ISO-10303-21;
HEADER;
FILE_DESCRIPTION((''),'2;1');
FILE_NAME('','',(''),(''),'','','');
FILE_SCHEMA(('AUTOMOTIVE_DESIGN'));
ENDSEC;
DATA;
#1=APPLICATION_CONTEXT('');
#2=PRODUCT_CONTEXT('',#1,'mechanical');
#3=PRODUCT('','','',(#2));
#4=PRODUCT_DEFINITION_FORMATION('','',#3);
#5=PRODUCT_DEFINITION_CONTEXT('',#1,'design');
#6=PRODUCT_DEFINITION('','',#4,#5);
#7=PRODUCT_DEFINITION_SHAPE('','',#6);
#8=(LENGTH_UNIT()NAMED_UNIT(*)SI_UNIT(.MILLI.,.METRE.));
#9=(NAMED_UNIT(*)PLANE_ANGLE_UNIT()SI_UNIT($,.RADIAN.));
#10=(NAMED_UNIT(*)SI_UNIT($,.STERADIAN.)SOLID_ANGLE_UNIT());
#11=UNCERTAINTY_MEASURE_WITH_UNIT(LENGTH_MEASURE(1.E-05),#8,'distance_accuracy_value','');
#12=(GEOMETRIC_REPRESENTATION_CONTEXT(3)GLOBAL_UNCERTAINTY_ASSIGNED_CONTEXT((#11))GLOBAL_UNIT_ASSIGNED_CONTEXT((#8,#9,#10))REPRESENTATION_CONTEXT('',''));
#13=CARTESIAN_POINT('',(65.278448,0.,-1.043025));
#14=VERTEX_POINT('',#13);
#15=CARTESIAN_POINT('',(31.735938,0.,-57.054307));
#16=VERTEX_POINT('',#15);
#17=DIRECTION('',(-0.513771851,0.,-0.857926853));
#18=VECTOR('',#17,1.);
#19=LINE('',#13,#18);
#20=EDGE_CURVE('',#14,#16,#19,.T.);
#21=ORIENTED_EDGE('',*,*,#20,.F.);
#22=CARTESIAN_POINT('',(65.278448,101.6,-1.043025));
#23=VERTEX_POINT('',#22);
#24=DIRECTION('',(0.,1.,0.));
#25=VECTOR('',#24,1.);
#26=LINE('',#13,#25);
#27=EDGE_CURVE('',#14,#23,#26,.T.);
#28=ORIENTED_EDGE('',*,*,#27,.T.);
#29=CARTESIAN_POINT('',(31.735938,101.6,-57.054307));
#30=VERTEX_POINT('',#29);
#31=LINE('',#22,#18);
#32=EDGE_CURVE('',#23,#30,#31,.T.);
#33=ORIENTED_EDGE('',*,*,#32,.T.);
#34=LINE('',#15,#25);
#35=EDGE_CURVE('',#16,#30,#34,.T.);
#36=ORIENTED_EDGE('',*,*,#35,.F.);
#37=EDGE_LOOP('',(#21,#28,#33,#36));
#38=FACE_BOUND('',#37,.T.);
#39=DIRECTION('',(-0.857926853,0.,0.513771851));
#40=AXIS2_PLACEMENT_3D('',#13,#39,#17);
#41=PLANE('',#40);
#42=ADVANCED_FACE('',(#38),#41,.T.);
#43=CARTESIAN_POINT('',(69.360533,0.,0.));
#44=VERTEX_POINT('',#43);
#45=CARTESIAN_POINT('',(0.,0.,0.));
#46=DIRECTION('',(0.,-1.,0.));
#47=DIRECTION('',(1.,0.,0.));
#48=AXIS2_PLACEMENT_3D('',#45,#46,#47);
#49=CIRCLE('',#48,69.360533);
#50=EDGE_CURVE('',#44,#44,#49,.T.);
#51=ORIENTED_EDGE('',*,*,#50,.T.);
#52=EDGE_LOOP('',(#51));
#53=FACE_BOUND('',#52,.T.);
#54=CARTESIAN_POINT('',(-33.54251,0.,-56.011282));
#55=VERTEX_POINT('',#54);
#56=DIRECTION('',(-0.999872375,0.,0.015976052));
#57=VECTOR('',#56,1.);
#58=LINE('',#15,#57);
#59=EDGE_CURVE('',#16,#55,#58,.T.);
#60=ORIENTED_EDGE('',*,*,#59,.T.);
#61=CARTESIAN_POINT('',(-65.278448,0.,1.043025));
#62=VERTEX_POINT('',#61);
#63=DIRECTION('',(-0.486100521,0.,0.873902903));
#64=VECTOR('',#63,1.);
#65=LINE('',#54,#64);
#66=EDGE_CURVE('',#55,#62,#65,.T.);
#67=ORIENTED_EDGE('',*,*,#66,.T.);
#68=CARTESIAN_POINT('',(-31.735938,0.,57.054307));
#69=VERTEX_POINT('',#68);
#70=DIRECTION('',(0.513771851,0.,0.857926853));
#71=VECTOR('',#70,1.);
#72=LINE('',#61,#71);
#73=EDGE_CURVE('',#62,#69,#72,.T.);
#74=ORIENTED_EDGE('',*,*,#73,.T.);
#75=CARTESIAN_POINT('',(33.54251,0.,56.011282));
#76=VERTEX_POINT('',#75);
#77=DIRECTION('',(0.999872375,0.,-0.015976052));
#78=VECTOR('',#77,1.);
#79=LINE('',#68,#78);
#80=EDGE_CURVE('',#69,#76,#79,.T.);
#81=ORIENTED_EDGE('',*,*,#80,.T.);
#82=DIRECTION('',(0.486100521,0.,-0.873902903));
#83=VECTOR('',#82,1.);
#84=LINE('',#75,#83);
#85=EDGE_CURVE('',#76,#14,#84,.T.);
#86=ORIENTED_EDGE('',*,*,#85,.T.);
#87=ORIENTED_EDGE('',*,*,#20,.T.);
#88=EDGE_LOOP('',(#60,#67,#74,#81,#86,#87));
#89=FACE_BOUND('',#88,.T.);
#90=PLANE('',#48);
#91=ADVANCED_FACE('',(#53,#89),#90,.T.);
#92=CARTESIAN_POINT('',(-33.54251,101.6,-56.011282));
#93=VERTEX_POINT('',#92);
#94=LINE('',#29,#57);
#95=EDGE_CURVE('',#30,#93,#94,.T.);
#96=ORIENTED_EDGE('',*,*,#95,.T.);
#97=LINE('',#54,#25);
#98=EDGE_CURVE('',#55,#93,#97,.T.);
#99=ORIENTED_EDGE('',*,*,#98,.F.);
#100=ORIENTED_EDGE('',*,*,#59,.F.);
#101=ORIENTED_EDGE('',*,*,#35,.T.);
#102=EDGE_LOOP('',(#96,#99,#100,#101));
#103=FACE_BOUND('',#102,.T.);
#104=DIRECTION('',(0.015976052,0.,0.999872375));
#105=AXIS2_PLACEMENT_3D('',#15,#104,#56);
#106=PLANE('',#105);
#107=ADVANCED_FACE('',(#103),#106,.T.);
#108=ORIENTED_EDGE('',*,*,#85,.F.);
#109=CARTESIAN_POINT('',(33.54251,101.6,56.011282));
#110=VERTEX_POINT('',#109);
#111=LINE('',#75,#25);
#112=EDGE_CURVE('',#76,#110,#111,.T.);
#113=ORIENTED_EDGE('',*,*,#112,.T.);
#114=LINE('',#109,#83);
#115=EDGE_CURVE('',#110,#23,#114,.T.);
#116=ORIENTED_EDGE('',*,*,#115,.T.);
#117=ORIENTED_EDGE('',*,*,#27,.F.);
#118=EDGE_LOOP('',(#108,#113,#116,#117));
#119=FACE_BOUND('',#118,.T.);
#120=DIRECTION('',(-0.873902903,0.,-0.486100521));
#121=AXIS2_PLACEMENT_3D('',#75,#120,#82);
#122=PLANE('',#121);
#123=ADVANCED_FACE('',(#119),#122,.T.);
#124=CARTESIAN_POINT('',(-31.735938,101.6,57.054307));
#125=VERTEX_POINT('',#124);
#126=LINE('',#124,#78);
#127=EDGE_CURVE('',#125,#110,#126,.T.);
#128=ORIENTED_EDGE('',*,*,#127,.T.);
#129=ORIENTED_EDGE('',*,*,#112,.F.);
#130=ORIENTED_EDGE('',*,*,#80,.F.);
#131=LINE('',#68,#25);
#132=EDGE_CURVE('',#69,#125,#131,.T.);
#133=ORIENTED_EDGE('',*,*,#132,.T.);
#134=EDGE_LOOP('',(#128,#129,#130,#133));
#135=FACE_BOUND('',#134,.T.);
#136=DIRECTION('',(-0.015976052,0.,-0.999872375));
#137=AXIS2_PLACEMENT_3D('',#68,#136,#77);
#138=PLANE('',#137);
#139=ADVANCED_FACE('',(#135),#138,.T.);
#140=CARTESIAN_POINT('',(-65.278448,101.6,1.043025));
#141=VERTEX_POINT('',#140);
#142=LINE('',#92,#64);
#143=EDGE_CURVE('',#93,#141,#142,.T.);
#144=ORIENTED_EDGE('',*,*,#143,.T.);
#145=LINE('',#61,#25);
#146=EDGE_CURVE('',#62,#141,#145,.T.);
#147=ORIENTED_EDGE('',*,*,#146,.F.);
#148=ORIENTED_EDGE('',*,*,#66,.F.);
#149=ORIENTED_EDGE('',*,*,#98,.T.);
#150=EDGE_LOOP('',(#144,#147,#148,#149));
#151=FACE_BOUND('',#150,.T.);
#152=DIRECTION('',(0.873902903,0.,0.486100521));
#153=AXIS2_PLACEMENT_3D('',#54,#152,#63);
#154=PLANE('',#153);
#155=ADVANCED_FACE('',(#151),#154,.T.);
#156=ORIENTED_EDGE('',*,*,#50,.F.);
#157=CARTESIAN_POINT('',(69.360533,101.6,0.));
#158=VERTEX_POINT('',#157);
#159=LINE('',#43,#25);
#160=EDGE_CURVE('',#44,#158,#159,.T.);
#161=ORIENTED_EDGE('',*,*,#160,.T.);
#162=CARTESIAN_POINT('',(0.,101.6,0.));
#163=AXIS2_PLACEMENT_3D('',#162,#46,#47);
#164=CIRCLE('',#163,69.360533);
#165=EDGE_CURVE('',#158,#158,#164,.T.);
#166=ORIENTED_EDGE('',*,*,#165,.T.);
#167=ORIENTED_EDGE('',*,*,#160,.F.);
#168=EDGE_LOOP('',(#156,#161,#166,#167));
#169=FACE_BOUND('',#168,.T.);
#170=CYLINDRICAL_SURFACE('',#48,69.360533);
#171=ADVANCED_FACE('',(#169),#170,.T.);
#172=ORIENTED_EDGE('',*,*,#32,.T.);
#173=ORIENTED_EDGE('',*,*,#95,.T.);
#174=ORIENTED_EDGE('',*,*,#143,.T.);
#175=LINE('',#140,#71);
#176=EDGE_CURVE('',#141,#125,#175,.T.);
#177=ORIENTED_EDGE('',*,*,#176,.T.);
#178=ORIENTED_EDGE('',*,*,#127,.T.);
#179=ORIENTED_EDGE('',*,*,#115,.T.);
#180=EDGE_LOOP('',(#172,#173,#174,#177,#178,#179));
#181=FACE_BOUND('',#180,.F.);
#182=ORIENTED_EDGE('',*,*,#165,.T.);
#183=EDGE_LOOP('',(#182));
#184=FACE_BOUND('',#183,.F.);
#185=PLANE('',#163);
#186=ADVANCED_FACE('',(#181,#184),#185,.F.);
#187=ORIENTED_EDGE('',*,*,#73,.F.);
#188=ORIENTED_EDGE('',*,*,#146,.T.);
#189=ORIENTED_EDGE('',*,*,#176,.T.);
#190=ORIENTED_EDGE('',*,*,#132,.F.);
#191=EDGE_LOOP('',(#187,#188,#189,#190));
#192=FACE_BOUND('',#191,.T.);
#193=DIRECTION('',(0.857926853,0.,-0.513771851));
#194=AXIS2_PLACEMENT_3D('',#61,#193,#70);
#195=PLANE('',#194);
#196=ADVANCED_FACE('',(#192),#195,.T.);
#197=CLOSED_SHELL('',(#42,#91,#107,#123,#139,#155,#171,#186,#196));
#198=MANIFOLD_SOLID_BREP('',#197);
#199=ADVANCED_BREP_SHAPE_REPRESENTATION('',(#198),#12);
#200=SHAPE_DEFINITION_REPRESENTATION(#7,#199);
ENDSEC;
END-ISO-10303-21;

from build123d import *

# Parameters (mm, degrees)
F0_R     = 69.360533
F1_DEPTH = 101.6


with BuildPart() as f1:
    # F0 (on Front) → F1 (new body)
    with BuildSketch(Plane.XZ):
        Circle(F0_R)
        Polygon((-31.735938, 57.054307), (33.54251, 56.011282), (65.278448, -1.043025), (31.735938, -57.054307), (-33.54251, -56.011282), (-65.278448, 1.043025), align=None, mode=Mode.SUBTRACT)
    extrude(amount=-F1_DEPTH)


solid = f1.part
